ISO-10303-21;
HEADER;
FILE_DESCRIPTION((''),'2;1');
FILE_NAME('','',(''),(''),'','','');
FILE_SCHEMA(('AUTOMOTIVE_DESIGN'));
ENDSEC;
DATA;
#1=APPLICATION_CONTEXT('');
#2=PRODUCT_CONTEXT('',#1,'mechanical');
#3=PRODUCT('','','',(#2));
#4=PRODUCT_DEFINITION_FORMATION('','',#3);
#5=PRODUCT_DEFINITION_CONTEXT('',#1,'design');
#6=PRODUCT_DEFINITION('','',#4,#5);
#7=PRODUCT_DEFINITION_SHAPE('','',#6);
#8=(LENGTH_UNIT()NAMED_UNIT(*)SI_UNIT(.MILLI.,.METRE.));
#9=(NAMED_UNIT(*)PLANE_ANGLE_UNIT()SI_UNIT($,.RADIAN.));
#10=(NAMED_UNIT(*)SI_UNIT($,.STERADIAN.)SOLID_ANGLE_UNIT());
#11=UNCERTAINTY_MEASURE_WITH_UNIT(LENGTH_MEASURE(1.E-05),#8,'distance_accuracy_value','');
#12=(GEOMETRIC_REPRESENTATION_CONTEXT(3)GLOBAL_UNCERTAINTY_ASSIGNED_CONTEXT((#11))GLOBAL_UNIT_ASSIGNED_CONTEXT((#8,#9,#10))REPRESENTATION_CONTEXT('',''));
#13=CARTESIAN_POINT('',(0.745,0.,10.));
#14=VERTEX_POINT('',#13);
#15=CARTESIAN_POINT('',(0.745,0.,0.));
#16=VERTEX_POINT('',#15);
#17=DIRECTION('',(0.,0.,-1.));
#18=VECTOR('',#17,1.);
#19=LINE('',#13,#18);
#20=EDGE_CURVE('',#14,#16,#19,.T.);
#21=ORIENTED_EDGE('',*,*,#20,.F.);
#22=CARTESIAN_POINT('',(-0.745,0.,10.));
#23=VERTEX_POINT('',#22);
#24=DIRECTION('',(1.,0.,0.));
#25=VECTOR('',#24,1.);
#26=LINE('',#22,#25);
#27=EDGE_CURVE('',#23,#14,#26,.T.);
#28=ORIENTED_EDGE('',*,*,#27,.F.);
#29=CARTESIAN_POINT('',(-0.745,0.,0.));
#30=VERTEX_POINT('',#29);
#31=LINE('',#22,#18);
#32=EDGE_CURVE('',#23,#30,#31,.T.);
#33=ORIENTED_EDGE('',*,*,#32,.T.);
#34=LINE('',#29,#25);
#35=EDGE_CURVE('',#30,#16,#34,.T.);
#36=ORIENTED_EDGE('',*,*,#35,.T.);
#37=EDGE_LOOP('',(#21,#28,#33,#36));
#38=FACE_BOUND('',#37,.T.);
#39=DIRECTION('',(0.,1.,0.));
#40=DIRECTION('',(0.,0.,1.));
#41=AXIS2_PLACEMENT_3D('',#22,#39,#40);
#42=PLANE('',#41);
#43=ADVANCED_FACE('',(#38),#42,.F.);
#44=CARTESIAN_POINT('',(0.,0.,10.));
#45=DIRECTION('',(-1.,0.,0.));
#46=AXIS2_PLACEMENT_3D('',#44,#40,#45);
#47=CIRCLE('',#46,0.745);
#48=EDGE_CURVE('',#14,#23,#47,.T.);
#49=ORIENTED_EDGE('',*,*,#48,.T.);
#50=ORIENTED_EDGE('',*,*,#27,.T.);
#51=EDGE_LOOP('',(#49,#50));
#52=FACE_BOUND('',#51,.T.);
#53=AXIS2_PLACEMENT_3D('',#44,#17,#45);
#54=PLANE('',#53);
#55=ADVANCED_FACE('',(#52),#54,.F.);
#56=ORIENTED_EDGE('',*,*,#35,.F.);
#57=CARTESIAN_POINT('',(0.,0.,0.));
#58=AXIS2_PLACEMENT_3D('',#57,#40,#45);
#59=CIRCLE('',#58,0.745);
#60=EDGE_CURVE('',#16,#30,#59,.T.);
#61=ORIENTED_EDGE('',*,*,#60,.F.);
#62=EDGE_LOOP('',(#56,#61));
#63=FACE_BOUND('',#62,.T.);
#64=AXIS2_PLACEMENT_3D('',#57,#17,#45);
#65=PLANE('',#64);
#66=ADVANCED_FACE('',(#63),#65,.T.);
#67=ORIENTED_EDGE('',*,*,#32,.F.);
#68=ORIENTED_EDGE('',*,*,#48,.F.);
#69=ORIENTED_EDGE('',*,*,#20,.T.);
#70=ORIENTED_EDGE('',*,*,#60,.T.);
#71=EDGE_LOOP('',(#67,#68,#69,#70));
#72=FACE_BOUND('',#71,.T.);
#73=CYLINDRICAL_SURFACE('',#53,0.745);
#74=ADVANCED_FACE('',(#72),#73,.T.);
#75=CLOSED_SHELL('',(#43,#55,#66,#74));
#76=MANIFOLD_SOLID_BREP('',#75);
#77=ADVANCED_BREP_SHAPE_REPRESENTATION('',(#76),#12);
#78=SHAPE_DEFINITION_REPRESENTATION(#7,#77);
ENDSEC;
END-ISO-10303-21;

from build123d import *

# Parameters (mm, degrees)
EXTRUDE1_DEPTH = 10


with BuildPart() as part:
    # Sketch1 → Extrude1 (new body)
    with BuildSketch(Plane.XY):
        with BuildLine():
            Line((-0.745, 0), (0.745, 0))
            ThreePointArc((0.745, 0), (0, 0.745), (-0.745, 0))
        make_face()
    extrude(amount=EXTRUDE1_DEPTH)


solid = part.part
